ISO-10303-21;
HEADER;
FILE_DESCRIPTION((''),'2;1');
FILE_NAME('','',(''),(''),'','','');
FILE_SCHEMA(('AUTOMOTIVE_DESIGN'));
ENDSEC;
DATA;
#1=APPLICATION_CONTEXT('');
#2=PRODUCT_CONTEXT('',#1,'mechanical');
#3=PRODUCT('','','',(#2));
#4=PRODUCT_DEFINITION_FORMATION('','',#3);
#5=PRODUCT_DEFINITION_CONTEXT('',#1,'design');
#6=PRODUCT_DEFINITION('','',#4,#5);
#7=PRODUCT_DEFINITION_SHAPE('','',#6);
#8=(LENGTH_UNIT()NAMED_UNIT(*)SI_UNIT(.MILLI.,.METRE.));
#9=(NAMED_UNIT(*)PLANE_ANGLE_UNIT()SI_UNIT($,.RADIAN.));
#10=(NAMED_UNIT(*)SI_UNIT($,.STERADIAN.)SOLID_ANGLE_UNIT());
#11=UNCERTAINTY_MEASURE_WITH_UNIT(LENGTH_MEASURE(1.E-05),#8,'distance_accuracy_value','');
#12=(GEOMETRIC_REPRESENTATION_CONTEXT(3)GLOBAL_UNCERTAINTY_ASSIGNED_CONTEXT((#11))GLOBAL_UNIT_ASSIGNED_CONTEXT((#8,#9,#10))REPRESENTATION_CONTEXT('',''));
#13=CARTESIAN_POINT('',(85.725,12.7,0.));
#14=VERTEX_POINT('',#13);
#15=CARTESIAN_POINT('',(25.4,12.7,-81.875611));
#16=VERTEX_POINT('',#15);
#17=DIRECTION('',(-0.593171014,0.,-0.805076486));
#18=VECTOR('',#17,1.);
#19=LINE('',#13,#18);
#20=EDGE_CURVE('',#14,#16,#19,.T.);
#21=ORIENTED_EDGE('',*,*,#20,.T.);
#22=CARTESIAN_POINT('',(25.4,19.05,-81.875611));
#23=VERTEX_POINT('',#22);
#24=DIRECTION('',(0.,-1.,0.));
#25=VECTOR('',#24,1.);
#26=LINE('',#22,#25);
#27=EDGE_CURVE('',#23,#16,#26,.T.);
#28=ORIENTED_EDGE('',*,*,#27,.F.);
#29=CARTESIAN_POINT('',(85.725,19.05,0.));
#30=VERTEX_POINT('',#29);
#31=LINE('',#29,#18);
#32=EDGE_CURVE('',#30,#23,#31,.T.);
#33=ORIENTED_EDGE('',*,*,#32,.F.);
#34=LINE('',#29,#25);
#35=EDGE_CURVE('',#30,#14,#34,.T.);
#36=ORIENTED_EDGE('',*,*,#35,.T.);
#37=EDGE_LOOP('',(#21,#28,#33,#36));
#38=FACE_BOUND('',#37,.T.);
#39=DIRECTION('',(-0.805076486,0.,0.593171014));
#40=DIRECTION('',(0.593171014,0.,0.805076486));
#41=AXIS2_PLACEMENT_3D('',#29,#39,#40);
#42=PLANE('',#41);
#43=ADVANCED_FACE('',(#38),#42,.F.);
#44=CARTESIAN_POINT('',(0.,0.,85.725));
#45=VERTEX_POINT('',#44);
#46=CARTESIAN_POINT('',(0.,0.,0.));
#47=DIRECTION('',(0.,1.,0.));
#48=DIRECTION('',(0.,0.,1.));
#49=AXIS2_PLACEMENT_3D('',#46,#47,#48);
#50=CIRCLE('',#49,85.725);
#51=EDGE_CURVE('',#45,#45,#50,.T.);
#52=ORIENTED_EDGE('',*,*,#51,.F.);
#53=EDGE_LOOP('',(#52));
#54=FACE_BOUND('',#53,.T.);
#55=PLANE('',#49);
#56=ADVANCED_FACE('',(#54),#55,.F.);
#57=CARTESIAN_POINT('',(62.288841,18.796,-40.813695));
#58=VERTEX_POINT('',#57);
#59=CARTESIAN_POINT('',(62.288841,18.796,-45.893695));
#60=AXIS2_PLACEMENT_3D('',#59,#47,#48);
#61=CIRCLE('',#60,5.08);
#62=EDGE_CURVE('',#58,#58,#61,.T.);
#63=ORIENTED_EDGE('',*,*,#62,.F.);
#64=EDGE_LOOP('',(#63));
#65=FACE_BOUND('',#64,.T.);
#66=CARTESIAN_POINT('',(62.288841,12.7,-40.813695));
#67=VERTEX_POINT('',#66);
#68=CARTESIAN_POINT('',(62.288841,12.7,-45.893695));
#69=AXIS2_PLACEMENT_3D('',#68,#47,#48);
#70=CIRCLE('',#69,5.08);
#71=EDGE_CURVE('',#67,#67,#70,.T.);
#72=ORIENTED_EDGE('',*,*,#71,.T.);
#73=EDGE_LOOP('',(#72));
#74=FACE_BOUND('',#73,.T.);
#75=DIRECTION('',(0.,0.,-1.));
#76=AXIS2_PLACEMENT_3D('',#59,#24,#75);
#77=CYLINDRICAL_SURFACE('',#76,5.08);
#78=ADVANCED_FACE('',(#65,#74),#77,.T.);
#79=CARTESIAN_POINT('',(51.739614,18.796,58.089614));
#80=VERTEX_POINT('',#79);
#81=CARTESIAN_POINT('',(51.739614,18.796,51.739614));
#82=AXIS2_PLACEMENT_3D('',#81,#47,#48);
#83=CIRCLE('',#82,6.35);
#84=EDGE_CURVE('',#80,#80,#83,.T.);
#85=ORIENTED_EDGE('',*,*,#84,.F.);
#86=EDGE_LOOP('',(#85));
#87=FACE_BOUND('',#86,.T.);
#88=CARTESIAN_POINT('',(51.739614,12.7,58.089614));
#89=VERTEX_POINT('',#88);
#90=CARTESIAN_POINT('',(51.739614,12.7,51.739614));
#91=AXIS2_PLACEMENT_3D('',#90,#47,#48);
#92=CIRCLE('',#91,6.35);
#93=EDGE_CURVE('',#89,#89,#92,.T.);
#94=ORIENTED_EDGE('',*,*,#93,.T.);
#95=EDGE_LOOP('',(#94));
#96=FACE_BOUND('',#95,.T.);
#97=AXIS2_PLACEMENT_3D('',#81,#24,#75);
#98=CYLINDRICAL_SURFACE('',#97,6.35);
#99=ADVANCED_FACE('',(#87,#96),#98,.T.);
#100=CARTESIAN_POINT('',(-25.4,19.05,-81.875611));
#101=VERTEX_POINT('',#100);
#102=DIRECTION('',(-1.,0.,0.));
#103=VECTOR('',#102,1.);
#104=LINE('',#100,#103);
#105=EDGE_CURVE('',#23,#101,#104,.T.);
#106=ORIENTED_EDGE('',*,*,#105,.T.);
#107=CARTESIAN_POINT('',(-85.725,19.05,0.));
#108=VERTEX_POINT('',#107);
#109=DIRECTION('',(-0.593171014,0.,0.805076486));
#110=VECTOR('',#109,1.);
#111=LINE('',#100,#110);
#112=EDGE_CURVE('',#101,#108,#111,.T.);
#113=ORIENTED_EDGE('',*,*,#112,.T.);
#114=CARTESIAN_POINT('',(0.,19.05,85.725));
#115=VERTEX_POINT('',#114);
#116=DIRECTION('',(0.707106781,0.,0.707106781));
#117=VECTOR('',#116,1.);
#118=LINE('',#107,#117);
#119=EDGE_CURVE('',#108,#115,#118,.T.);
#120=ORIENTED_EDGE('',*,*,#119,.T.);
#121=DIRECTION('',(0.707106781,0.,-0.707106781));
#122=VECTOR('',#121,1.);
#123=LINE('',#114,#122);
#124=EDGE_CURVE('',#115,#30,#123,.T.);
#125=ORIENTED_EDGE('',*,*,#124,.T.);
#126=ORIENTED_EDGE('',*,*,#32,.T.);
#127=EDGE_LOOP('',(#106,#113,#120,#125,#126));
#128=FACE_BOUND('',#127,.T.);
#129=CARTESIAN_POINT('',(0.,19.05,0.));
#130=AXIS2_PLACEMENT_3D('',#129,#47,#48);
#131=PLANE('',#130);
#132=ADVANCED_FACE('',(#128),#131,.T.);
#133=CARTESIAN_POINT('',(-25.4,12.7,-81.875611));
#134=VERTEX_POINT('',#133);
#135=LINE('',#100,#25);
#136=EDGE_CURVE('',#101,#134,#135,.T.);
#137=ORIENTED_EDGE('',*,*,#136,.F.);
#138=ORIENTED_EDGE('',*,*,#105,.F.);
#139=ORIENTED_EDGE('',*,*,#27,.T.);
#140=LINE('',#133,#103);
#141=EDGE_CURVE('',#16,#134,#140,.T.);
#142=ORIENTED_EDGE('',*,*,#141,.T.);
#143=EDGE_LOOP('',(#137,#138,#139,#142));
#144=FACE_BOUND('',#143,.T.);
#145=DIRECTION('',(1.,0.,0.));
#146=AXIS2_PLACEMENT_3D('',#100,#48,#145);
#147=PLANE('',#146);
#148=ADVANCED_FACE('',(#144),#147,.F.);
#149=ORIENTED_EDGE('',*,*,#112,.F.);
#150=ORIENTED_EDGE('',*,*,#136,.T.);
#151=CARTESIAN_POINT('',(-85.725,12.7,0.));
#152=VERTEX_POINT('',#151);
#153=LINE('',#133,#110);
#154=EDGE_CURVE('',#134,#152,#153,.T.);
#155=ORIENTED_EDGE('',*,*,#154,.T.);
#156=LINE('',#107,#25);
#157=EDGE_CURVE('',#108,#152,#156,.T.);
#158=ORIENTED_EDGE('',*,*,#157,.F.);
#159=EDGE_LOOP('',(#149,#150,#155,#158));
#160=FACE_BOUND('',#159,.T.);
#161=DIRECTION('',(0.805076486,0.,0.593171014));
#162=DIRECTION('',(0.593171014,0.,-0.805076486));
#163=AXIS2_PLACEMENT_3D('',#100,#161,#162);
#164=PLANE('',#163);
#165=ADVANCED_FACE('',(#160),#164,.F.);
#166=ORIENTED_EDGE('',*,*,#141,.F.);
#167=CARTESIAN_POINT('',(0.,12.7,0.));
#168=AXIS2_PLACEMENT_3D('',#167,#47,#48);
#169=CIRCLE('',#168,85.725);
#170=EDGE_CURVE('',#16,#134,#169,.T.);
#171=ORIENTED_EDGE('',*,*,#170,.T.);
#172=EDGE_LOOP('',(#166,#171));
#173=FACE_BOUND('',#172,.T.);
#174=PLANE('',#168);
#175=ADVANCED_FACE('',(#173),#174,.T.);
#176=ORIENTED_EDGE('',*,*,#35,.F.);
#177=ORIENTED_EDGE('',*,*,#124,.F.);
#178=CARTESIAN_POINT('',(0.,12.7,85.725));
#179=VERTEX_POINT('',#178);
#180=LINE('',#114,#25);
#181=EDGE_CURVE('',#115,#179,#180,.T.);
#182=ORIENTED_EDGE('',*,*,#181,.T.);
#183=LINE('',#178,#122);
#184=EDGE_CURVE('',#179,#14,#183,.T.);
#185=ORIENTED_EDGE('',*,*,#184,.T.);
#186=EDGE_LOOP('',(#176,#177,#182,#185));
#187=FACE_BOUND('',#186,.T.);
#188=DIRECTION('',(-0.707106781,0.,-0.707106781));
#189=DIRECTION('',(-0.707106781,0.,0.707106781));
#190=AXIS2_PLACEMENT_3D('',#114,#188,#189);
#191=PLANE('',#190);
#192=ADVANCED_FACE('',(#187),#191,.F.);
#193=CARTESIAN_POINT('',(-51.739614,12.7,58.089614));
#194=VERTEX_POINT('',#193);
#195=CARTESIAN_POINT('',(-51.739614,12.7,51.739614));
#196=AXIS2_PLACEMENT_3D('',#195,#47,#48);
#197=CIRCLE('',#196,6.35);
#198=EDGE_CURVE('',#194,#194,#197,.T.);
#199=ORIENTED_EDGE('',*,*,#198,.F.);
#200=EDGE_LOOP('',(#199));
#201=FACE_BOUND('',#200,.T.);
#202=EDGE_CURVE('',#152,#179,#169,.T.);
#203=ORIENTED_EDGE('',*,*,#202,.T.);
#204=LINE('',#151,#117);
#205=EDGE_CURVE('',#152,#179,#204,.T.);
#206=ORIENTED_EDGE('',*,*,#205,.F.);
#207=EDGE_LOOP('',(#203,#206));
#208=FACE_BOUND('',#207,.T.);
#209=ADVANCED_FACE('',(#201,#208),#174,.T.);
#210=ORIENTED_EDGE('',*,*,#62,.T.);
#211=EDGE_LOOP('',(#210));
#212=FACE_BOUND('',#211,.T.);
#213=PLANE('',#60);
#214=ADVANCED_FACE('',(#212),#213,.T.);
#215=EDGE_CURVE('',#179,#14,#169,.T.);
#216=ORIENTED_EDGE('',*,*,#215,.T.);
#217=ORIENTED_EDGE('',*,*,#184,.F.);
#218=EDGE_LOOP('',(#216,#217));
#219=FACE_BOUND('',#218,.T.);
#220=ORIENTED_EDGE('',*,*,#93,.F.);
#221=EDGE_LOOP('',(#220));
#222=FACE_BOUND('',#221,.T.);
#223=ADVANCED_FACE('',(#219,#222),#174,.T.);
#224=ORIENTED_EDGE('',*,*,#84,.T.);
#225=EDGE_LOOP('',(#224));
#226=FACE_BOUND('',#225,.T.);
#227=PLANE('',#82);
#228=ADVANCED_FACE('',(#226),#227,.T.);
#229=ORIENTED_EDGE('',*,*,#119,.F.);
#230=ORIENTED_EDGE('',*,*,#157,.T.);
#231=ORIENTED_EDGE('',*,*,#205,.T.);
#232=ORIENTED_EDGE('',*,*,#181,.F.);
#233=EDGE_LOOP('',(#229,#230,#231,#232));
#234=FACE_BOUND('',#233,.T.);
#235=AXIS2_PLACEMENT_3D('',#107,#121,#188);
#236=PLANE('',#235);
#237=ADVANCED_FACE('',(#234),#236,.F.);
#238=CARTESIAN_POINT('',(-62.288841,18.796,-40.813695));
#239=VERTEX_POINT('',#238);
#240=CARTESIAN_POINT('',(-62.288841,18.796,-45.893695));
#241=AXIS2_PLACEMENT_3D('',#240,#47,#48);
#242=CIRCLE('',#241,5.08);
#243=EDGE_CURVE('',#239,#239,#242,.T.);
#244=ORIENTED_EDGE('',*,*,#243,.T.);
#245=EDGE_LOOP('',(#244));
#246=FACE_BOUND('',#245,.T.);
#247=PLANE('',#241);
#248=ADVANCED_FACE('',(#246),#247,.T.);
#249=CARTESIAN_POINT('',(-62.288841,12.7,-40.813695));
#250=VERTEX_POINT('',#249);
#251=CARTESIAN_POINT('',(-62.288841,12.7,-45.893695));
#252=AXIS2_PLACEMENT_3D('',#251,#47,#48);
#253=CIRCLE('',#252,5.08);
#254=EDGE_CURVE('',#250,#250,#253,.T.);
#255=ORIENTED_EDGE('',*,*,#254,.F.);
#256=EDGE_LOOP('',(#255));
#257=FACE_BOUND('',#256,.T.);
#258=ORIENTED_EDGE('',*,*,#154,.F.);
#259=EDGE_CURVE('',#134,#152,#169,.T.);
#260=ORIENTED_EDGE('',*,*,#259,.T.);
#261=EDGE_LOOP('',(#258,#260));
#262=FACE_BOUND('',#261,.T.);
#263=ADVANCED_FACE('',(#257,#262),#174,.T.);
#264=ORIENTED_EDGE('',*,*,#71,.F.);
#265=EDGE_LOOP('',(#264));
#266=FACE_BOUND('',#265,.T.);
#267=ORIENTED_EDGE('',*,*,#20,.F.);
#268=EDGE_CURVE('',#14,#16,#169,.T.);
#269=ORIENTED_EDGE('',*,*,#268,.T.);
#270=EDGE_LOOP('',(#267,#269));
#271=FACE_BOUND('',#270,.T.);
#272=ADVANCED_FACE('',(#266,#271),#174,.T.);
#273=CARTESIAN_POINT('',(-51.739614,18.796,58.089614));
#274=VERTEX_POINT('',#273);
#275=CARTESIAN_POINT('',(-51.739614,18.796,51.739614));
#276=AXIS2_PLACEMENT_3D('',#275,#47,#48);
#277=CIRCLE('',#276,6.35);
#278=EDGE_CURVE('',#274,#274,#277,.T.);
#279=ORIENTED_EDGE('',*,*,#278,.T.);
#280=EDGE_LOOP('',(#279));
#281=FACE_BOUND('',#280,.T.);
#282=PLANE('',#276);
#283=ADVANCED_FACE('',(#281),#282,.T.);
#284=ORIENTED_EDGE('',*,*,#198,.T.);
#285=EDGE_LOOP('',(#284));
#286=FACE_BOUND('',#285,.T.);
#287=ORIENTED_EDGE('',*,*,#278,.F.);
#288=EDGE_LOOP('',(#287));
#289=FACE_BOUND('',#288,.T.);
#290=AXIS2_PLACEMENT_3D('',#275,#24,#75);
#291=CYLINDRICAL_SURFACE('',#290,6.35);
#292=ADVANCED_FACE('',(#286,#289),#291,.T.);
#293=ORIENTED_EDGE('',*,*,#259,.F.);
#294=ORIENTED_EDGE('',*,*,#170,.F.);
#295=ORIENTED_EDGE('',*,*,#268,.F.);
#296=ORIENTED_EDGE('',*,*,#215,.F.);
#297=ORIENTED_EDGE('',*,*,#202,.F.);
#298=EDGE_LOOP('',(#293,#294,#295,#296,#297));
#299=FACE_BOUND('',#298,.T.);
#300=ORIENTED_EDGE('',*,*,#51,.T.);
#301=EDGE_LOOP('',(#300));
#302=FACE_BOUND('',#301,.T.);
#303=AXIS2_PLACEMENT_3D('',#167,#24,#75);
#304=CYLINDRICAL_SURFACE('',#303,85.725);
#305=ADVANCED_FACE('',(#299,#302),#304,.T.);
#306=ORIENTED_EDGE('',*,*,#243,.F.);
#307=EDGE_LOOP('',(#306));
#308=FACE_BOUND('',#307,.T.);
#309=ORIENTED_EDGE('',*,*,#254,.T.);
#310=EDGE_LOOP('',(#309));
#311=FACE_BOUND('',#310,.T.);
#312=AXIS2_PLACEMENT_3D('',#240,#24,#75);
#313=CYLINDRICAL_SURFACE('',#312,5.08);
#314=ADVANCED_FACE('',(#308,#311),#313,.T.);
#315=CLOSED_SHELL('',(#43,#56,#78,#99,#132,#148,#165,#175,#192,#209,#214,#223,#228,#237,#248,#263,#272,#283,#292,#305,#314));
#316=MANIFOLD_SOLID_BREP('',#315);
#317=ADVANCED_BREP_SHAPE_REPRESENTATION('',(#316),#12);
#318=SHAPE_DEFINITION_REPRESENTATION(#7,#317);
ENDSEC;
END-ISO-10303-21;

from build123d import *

# Parameters (mm, degrees)
SKETCH1_R           = 85.725
BOSS_EXTRUDE1_DEPTH = 12.7
BOSS_EXTRUDE2_DEPTH = 6.35
SKETCH3_R           = 6.35
SKETCH3_R_2         = 5.08
BOSS_EXTRUDE3_DEPTH = 6.096


with BuildPart() as part:
    # Sketch1 → Boss-Extrude1 (new body)
    with BuildSketch(Plane(origin=(0, 0, 0), x_dir=(1, 0, 0), z_dir=(0, 1, 0))):
        Circle(SKETCH1_R)
    extrude(amount=BOSS_EXTRUDE1_DEPTH)

    # Sketch2 → Boss-Extrude2 (add)
    with BuildSketch(Plane(origin=(0, 12.7, 0), x_dir=(1, 0, 0), z_dir=(0, 1, 0))):
        Polygon((-25.4, 81.875610685), (25.4, 81.875610685), (85.725, 0), (0, -85.725), (-85.725, 0), align=None)
    extrude(amount=BOSS_EXTRUDE2_DEPTH)

    # Sketch3 → Boss-Extrude3 (add)
    with BuildSketch(Plane(origin=(0, 12.7, 0), x_dir=(1, 0, 0), z_dir=(0, 1, 0))):
        with Locations((-51.739614409, -51.739614409)):
            Circle(SKETCH3_R)
        with Locations((51.739614409, -51.739614409)):
            Circle(SKETCH3_R)
        with Locations((62.288840877, 45.893695259)):
            Circle(SKETCH3_R_2)
        with Locations((-62.288840877, 45.893695259)):
            Circle(SKETCH3_R_2)
    extrude(amount=BOSS_EXTRUDE3_DEPTH)


solid = part.part
